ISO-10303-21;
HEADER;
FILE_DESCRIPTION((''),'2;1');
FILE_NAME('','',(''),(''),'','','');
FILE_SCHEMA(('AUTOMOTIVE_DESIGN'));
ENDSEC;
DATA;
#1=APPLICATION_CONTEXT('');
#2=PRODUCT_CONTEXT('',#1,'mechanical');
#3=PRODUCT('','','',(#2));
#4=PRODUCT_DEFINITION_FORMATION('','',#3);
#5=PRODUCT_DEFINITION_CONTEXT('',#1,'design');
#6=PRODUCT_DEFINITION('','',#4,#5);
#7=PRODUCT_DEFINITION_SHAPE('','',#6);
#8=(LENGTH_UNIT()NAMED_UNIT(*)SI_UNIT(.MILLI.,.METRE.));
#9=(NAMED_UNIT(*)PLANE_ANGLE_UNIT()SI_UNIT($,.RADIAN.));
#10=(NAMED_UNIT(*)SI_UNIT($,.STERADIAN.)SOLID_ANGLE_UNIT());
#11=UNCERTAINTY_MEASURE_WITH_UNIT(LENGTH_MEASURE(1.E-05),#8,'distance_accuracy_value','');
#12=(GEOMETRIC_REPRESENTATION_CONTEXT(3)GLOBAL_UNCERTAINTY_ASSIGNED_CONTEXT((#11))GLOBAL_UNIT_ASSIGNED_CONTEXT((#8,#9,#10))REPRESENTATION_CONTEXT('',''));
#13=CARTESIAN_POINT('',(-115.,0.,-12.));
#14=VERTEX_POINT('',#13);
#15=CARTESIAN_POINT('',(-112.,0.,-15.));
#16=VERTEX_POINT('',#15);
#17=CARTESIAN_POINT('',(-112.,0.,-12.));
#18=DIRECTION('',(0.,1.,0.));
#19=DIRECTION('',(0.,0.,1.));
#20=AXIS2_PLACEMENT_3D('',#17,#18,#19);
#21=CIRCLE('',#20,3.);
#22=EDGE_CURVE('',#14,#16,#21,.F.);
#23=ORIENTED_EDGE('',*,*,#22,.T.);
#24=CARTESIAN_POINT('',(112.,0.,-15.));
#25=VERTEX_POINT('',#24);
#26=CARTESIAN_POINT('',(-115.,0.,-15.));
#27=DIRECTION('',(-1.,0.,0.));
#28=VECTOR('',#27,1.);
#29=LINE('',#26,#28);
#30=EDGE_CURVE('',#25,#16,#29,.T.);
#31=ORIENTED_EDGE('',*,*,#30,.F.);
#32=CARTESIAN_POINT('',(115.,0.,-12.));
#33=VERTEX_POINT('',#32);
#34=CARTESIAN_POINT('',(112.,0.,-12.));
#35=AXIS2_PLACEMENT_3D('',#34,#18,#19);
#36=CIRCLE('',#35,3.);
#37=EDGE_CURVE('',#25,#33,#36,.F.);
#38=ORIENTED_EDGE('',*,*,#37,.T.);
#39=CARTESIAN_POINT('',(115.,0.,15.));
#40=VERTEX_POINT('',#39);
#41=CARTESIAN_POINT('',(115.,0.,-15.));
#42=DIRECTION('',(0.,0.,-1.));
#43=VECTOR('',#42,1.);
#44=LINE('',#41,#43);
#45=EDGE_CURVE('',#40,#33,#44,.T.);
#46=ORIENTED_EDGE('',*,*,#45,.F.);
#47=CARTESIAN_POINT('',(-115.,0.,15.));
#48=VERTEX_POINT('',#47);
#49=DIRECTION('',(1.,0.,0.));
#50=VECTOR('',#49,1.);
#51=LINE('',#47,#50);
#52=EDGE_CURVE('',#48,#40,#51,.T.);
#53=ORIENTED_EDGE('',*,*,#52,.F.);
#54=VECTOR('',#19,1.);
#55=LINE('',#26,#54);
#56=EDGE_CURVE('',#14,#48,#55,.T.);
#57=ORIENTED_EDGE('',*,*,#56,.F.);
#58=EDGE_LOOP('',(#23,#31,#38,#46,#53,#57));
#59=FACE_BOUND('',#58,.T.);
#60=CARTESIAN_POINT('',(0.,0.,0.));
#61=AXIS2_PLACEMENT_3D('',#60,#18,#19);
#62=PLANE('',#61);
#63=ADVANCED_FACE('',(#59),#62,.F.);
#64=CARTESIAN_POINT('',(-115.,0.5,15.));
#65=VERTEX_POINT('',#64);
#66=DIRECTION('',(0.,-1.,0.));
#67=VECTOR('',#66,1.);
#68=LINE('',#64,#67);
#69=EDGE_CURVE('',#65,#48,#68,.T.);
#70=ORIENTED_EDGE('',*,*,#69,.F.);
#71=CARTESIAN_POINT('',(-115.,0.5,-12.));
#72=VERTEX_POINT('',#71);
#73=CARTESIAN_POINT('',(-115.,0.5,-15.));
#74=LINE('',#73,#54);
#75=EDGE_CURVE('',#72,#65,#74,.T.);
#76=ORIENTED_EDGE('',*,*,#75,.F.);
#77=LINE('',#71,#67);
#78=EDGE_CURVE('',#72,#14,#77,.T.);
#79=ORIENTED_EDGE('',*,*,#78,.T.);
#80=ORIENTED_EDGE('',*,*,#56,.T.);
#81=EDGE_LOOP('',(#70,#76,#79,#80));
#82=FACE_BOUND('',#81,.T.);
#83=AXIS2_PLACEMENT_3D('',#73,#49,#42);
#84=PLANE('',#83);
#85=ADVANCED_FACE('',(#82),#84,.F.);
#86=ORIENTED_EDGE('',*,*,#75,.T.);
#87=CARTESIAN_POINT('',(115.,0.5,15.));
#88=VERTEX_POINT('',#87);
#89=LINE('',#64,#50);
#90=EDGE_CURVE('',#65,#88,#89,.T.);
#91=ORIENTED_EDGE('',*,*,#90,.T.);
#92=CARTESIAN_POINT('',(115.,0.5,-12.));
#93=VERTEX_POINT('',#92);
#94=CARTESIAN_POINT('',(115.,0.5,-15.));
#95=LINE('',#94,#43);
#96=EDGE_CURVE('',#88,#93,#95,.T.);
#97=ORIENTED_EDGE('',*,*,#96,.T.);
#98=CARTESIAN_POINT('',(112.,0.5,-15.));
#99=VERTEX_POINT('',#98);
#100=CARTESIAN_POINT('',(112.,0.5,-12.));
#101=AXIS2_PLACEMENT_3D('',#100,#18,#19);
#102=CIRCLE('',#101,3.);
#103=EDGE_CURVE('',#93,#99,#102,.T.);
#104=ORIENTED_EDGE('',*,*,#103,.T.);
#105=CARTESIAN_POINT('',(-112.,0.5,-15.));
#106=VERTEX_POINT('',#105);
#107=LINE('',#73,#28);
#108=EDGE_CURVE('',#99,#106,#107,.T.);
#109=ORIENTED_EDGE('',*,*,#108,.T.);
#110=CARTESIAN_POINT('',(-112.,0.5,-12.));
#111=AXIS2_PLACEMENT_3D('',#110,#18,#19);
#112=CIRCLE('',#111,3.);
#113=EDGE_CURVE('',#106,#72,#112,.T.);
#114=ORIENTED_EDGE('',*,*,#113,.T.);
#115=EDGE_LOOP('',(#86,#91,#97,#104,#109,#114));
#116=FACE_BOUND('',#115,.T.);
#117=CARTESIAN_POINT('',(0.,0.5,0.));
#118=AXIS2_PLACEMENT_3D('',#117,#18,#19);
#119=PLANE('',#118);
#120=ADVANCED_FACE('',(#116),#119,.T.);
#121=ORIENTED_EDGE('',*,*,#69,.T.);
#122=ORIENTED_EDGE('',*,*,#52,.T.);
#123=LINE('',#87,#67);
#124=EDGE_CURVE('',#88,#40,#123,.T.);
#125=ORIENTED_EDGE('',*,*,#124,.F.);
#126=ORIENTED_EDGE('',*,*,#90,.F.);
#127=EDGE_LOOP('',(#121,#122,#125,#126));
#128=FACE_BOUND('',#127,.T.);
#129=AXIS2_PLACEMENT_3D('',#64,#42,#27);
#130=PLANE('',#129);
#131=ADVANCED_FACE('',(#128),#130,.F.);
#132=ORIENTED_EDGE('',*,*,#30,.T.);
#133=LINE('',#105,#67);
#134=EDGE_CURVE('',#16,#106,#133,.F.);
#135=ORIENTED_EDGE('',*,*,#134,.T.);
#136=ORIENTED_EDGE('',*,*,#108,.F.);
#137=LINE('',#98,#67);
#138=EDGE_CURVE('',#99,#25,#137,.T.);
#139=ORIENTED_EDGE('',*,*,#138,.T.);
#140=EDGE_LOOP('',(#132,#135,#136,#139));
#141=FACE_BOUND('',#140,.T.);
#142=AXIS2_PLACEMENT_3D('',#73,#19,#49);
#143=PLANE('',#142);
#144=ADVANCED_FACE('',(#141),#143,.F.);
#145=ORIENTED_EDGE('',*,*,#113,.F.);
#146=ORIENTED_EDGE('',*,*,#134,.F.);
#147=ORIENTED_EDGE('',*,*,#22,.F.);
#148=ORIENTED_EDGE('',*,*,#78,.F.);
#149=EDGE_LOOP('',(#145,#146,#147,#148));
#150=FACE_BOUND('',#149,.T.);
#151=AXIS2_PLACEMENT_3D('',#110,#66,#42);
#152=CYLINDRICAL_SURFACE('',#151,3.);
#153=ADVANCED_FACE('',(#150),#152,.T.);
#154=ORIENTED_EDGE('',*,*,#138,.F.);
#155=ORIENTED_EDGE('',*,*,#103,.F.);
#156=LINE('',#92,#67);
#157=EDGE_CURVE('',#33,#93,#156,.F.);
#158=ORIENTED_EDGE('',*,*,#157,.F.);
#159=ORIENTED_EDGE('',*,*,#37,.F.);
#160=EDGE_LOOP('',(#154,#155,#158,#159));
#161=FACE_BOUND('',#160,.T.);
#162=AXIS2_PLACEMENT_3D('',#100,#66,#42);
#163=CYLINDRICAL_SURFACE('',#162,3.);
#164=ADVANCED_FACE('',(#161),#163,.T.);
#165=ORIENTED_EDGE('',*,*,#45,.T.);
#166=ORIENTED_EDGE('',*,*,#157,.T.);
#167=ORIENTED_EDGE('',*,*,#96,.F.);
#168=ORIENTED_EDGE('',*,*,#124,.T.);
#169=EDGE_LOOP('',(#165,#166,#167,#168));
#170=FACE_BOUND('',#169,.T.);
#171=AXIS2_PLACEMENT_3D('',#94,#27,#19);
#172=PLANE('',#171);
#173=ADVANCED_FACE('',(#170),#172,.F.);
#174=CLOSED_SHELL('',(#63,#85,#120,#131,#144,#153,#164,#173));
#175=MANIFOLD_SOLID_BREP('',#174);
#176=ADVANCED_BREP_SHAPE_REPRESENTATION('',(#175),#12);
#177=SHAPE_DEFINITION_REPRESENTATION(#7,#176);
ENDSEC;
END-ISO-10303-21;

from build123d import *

# Parameters (mm, degrees)
SKETCH1_W           = 230
SKETCH1_H           = 30
BOSS_EXTRUDE1_DEPTH = 0.5
FILLET1_R           = 3


with BuildPart() as part:
    # Sketch1 → Boss-Extrude1 (new body)
    with BuildSketch(Plane(origin=(0, 0, 0), x_dir=(1, 0, 0), z_dir=(0, 1, 0))):
        Rectangle(SKETCH1_W, SKETCH1_H)
    extrude(amount=BOSS_EXTRUDE1_DEPTH)

    # Fillet1
    fillet1_edges = [part.edges().sort_by_distance(p)[0] for p in [
        (-115, 0.25, -15),
        (115, 0.25, -15),
    ]]
    fillet(fillet1_edges, radius=FILLET1_R)


solid = part.part
